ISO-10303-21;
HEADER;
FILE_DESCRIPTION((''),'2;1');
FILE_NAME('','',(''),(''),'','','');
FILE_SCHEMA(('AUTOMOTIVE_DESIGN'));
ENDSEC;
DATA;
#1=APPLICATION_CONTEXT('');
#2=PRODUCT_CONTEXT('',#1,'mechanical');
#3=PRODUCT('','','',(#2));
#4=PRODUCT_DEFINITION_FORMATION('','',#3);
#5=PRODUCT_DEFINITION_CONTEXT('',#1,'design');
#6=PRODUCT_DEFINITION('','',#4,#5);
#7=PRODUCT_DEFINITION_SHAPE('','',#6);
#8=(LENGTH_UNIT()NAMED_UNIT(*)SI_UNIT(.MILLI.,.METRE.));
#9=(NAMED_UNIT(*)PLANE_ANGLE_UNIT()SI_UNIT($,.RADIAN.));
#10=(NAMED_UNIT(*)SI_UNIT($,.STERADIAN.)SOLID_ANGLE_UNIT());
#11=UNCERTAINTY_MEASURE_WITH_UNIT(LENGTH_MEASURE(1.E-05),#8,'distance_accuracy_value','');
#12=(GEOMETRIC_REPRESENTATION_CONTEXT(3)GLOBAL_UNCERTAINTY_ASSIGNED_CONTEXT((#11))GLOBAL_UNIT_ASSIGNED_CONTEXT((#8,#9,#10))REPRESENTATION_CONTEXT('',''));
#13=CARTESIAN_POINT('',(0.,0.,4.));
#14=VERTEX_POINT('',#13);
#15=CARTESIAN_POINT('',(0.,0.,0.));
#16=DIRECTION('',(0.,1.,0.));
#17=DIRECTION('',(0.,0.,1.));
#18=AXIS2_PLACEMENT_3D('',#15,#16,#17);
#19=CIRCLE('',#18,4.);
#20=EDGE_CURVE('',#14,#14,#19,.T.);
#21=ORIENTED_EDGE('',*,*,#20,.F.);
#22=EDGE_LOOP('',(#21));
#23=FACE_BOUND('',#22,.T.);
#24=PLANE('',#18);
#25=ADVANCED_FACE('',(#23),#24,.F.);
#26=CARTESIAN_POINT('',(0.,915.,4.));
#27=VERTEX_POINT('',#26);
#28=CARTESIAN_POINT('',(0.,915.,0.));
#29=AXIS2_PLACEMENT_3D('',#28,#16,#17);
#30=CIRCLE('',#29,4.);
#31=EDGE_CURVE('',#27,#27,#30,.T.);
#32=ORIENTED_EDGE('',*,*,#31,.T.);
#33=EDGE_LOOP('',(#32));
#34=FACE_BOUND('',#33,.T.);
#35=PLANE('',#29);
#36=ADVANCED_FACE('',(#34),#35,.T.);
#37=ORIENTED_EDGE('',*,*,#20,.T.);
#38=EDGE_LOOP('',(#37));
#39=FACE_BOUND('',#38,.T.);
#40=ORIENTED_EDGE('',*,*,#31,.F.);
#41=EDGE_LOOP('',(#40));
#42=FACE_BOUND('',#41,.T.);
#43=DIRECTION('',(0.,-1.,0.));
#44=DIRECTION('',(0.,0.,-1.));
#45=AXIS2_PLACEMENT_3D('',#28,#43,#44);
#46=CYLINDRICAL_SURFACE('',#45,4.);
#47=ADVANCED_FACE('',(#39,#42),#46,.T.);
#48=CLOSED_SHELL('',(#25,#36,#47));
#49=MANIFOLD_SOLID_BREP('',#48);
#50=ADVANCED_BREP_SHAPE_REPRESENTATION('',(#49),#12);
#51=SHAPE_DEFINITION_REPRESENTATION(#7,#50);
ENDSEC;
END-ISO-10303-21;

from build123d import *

# Parameters (mm, degrees)
SKETCH_1_R      = 4
EXTRUDE_1_DEPTH = 915


with BuildPart() as part:
    # Эскиз1 → Бобышка-Вытянуть1 (new body)
    with BuildSketch(Plane(origin=(0, 0, 0), x_dir=(1, 0, 0), z_dir=(0, 1, 0))):
        Circle(SKETCH_1_R)
    extrude(amount=EXTRUDE_1_DEPTH)


solid = part.part
